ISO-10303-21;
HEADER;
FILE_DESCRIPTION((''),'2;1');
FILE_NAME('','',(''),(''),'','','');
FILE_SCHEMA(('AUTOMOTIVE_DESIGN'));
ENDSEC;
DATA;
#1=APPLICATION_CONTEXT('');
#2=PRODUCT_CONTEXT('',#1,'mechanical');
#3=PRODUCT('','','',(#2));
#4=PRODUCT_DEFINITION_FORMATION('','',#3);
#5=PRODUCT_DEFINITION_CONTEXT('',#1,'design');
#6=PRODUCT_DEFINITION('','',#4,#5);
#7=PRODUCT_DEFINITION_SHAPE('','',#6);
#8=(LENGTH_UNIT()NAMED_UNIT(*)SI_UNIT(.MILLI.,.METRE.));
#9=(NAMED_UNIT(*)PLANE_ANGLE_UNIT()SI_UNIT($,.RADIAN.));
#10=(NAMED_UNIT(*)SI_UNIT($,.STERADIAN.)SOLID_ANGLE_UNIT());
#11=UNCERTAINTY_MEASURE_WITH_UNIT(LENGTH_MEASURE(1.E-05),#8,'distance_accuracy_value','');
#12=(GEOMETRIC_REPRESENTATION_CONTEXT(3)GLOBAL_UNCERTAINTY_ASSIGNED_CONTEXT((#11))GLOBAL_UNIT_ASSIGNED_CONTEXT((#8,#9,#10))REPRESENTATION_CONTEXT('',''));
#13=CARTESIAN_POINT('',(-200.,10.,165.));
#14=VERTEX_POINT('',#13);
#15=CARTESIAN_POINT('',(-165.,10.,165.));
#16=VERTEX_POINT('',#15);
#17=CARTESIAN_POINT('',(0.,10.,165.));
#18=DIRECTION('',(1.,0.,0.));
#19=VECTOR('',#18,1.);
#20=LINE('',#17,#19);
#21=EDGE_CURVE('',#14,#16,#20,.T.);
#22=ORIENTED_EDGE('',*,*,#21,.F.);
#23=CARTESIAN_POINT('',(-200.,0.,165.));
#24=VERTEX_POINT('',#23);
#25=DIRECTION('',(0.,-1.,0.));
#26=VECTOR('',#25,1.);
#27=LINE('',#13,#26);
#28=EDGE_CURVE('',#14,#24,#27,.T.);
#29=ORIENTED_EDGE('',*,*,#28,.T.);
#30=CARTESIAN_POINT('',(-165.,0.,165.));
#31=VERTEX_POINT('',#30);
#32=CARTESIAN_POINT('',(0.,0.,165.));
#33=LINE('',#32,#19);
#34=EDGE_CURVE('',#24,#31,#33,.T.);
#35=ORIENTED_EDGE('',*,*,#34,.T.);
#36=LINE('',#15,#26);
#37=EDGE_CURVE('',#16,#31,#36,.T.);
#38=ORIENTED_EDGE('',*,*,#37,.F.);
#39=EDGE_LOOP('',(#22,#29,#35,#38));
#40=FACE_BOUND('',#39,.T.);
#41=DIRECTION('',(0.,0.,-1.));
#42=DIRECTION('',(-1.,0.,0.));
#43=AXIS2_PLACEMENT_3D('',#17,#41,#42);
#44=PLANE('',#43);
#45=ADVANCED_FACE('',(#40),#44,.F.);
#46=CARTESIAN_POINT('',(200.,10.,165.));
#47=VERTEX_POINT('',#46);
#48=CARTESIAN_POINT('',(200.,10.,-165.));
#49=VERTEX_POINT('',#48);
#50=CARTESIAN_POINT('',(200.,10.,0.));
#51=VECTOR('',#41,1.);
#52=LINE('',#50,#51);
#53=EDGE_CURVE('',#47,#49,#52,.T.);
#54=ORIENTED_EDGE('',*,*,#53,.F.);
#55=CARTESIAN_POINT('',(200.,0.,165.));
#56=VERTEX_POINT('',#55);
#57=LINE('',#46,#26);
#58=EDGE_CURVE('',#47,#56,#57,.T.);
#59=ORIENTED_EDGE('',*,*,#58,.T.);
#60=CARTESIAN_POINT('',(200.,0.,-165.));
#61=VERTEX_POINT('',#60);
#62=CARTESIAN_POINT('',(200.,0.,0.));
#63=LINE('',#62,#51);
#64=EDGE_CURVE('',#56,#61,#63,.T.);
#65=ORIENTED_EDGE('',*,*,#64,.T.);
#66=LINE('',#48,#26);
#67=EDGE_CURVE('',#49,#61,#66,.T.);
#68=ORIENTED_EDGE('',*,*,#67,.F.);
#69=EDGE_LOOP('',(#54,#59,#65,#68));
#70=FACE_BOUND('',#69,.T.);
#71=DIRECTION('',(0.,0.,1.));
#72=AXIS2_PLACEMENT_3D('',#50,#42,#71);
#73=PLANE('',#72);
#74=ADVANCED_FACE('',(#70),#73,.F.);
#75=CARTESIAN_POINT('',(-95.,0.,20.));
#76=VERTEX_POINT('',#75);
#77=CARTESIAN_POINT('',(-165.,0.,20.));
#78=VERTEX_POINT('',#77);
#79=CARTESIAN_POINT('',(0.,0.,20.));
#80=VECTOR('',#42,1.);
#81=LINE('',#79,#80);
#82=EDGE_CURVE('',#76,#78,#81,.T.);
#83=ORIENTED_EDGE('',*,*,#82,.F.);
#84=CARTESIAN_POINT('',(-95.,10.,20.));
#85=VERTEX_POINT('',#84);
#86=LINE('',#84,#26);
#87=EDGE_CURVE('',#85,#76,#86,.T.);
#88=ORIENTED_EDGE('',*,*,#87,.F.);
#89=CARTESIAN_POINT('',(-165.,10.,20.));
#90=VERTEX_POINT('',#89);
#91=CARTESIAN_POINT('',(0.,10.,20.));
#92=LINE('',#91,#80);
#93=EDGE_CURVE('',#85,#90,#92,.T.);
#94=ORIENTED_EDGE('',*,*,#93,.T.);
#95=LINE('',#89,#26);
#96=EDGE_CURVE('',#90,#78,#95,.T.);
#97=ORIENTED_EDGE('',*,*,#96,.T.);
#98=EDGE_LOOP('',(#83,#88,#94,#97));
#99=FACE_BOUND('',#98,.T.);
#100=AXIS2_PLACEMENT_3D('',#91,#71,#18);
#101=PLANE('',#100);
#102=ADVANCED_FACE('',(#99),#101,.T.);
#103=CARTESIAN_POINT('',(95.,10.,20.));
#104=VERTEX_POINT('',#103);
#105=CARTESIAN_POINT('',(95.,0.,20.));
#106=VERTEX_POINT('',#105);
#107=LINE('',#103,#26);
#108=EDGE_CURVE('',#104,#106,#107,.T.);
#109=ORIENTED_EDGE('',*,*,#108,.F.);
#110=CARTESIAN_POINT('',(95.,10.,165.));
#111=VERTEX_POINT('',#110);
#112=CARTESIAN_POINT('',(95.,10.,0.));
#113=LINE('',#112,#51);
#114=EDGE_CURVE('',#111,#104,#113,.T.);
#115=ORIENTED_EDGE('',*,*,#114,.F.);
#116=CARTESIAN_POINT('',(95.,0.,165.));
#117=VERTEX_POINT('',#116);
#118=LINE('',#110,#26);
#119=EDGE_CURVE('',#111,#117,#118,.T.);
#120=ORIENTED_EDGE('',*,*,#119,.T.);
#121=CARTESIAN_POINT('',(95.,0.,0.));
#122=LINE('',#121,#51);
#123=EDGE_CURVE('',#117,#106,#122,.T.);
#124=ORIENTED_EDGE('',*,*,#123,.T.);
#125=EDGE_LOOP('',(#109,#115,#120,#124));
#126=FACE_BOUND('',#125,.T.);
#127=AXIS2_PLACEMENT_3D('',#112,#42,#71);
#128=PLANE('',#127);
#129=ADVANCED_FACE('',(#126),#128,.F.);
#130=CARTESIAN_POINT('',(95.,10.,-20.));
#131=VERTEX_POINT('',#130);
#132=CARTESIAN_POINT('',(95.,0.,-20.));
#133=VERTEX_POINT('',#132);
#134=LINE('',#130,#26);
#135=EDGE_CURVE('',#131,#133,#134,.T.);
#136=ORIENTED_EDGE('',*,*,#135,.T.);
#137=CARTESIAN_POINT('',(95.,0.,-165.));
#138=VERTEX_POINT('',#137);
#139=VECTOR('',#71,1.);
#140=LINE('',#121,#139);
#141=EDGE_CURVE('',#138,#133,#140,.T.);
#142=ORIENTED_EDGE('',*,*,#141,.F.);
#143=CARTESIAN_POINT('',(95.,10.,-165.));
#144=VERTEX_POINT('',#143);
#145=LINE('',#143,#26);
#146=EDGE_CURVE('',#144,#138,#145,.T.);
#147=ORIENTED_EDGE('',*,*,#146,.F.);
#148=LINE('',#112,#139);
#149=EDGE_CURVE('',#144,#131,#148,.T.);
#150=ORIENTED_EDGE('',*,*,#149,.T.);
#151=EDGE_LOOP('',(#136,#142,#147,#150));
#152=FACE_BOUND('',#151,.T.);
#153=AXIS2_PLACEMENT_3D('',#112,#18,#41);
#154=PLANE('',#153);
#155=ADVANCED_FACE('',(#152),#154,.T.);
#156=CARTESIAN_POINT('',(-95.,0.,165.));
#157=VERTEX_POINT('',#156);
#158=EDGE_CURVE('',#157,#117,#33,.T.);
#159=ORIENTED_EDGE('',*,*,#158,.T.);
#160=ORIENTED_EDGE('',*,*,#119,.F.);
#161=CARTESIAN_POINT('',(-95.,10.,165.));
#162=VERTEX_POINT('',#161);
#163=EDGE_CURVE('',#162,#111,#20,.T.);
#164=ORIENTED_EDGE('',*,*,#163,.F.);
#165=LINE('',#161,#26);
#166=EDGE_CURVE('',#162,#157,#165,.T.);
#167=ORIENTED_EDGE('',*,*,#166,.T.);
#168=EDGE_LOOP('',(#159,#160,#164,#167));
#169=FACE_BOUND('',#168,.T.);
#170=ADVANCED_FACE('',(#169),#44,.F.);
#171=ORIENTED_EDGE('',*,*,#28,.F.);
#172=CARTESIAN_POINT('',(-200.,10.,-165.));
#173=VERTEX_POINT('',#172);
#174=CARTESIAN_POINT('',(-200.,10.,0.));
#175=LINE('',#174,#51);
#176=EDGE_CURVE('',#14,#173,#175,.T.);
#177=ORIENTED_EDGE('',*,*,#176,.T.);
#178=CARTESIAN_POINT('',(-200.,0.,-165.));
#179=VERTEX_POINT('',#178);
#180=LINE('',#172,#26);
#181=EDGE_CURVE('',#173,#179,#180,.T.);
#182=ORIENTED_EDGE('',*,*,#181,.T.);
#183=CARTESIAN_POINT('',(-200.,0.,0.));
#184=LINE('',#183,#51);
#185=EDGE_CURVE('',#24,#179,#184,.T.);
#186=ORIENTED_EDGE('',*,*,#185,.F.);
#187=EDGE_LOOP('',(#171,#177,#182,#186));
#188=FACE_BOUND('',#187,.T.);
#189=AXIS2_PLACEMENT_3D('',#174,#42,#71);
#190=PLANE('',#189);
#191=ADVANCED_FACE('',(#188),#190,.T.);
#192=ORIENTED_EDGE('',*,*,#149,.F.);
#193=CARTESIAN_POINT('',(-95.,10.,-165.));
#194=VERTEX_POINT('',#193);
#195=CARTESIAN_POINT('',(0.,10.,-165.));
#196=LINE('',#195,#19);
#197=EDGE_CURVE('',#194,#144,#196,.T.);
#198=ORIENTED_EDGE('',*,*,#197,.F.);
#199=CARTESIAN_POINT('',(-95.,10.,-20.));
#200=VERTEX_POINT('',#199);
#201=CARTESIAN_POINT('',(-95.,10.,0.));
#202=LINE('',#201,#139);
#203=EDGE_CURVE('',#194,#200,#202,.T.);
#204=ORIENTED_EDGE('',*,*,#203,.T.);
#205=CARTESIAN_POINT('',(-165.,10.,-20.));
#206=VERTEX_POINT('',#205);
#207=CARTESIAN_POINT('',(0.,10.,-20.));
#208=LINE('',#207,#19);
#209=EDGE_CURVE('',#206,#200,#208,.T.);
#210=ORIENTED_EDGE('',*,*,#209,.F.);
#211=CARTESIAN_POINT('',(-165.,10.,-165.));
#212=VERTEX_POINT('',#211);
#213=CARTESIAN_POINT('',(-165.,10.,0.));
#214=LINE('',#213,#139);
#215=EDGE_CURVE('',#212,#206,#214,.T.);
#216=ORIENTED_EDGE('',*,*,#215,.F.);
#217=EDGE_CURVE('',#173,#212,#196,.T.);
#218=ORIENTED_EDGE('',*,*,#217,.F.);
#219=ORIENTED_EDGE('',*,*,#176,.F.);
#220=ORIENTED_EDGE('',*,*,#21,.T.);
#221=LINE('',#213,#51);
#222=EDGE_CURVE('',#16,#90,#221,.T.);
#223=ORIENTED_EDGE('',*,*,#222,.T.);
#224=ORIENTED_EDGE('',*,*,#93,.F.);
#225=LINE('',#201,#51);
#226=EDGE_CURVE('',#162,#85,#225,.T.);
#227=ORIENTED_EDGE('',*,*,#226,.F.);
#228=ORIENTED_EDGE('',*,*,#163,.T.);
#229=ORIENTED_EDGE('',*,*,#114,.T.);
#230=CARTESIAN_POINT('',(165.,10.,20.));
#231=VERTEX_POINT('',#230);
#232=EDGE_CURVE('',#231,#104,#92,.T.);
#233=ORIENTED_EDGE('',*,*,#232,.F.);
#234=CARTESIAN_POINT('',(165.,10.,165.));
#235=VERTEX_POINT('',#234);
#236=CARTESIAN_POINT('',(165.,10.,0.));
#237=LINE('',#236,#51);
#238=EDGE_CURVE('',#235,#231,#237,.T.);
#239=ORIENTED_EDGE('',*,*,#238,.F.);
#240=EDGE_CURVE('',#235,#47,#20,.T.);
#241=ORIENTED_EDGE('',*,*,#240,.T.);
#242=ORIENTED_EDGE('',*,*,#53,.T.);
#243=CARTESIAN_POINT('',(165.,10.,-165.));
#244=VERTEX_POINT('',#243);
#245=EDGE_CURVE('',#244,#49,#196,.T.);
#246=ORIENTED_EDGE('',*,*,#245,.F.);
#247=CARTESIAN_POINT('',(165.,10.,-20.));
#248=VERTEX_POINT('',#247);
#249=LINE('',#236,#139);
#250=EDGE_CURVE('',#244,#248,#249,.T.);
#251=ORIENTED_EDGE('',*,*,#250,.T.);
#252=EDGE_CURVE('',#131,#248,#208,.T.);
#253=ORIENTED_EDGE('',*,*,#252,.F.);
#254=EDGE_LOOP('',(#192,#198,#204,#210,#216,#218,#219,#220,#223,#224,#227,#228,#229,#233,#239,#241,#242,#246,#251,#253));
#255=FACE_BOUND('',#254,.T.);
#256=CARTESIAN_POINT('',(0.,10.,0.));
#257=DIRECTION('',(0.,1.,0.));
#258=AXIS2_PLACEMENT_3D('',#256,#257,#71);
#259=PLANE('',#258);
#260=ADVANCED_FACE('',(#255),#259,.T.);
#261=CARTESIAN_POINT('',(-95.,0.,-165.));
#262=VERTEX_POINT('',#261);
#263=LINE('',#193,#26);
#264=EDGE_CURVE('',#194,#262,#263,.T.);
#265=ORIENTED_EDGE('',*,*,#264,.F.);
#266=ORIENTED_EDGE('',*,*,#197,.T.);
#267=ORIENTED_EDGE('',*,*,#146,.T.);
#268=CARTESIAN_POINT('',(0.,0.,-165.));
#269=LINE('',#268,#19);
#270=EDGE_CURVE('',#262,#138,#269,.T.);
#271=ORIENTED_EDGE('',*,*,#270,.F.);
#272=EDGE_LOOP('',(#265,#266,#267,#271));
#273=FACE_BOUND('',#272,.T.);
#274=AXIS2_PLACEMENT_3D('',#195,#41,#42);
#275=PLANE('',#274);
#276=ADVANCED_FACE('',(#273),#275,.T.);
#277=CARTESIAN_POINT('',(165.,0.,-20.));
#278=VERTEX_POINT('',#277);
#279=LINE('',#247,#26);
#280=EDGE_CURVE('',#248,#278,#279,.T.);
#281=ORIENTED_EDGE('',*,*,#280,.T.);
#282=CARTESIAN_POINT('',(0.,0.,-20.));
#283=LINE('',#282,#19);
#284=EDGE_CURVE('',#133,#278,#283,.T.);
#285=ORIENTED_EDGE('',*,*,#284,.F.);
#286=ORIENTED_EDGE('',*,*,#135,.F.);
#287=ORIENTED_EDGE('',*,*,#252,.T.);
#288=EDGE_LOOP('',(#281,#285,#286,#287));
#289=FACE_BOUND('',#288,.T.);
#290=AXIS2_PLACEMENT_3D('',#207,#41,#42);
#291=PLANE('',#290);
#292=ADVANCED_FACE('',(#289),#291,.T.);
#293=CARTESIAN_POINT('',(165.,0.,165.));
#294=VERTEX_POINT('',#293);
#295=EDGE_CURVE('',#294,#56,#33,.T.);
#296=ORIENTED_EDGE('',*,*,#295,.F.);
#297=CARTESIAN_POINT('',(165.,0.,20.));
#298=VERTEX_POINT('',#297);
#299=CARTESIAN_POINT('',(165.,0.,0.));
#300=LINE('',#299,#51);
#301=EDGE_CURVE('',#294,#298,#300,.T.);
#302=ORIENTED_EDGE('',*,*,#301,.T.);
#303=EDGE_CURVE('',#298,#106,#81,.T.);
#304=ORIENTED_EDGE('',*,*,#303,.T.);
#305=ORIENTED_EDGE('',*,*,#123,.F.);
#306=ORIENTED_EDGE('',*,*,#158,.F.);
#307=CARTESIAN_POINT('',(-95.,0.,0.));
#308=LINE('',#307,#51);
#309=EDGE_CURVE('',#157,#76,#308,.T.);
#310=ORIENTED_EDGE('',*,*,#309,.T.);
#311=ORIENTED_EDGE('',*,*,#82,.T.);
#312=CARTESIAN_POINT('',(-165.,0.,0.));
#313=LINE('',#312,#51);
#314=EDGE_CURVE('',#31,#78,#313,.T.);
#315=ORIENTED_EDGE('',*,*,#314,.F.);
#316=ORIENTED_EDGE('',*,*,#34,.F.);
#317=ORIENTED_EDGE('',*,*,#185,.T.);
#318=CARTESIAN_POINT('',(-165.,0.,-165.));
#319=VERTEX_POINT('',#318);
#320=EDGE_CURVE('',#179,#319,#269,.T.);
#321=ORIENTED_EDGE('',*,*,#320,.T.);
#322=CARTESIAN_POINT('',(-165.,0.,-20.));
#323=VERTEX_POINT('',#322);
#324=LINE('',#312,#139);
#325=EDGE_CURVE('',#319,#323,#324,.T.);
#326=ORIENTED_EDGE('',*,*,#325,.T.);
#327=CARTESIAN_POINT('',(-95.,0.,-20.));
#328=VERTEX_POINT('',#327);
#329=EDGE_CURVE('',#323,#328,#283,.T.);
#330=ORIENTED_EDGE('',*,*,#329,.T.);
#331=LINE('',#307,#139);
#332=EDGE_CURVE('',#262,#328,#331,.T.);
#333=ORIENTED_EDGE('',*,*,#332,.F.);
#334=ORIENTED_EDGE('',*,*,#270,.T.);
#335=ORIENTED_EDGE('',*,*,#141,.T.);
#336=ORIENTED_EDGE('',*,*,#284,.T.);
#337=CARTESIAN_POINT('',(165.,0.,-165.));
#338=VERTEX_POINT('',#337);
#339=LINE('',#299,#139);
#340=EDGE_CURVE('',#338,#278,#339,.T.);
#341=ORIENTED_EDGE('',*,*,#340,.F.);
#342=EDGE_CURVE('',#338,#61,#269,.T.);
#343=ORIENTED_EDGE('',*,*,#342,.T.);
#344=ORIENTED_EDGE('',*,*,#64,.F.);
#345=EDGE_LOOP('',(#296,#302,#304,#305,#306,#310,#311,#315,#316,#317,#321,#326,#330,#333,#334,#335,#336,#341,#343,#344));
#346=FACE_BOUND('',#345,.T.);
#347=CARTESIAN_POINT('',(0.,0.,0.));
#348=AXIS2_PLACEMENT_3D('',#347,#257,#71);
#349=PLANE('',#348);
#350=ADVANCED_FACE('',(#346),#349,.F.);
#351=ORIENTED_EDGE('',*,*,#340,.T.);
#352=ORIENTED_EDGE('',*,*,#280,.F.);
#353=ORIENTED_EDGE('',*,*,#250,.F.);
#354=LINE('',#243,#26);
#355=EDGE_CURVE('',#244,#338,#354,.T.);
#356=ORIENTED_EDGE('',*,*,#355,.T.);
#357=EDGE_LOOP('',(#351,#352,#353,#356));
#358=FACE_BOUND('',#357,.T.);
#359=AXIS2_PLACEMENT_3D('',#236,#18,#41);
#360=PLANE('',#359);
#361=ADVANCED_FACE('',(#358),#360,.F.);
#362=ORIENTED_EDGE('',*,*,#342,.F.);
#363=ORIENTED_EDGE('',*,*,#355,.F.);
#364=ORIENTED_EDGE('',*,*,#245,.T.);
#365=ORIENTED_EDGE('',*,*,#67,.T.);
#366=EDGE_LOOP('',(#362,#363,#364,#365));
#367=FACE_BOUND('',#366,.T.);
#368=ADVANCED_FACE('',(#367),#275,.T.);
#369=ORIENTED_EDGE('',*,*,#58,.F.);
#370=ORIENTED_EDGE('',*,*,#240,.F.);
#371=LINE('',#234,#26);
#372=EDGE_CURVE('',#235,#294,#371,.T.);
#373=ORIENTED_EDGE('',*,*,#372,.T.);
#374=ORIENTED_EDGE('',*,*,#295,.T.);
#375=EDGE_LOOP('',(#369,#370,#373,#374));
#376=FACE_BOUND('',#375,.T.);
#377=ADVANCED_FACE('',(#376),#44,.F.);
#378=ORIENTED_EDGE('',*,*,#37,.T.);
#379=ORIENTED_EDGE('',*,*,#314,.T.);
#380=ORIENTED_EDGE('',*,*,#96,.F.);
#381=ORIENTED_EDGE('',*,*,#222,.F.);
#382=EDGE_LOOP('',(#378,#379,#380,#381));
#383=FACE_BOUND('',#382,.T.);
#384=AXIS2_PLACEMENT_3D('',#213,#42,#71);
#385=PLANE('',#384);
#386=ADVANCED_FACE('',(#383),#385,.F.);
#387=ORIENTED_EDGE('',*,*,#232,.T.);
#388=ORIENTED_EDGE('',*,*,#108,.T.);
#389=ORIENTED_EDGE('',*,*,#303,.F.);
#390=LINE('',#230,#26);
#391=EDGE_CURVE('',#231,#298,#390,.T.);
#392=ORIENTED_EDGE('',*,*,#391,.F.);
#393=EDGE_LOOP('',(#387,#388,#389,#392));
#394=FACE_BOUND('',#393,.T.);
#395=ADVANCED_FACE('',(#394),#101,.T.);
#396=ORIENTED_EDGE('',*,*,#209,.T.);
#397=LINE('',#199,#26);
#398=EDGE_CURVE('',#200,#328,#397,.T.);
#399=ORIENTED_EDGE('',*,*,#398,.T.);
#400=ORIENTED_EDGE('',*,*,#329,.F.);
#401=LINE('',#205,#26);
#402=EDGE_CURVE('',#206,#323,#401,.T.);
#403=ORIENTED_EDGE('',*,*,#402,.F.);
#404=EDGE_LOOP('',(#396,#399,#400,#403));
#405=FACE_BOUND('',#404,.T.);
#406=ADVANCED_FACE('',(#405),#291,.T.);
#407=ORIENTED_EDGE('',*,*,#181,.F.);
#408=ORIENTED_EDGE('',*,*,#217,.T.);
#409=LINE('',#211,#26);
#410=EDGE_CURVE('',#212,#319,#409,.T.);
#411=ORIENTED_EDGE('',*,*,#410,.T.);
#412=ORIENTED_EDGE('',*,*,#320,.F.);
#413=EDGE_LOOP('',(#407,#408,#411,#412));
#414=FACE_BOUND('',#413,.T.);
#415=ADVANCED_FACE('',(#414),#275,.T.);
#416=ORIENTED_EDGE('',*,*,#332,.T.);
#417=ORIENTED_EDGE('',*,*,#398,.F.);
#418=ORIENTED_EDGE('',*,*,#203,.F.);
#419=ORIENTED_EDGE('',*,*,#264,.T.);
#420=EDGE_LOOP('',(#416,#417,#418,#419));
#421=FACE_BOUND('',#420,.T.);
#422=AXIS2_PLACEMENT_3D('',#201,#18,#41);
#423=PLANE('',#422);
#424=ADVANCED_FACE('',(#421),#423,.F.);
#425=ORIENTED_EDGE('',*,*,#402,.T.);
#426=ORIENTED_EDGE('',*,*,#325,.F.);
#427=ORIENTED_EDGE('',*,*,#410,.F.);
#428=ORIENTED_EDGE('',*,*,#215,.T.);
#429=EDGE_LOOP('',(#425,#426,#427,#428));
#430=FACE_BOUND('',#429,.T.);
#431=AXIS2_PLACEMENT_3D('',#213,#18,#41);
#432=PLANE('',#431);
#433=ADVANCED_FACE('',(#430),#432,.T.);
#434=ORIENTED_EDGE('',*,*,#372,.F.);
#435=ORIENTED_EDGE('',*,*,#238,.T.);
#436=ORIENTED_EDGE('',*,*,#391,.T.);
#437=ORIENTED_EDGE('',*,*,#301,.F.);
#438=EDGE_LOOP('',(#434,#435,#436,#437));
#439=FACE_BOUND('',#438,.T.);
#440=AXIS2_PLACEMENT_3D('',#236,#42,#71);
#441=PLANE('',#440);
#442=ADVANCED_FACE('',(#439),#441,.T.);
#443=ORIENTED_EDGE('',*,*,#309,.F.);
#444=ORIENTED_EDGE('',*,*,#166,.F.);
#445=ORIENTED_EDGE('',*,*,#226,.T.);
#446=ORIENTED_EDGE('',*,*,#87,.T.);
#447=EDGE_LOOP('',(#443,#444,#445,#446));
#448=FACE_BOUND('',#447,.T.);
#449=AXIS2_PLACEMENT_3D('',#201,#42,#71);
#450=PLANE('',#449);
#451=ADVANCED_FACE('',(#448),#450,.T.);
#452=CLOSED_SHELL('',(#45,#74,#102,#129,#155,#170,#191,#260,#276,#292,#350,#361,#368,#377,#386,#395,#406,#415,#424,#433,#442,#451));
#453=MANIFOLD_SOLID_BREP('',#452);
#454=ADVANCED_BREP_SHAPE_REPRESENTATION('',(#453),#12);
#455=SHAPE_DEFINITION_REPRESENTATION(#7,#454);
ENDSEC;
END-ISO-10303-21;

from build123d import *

# Parameters (mm, degrees)
AUFSATZ_LINEAR_AUSTRAGEN1_DEPTH = 10


with BuildPart() as part:
    # Skizze1 → Aufsatz-Linear austragen1 (new body)
    with BuildSketch(Plane(origin=(0, 0, 0), x_dir=(1, 0, 0), z_dir=(0, 1, 0))):
        Polygon((-200, 165), (-200, -165), (-165, -165), (-165, -20), (-95, -20), (-95, -165), (95, -165), (95, -20), (165, -20), (165, -165), (200, -165), (200, 165), (165, 165), (165, 20), (95, 20), (95, 165), (-95, 165), (-95, 20), (-165, 20), (-165, 165), align=None)
    extrude(amount=AUFSATZ_LINEAR_AUSTRAGEN1_DEPTH)


solid = part.part
